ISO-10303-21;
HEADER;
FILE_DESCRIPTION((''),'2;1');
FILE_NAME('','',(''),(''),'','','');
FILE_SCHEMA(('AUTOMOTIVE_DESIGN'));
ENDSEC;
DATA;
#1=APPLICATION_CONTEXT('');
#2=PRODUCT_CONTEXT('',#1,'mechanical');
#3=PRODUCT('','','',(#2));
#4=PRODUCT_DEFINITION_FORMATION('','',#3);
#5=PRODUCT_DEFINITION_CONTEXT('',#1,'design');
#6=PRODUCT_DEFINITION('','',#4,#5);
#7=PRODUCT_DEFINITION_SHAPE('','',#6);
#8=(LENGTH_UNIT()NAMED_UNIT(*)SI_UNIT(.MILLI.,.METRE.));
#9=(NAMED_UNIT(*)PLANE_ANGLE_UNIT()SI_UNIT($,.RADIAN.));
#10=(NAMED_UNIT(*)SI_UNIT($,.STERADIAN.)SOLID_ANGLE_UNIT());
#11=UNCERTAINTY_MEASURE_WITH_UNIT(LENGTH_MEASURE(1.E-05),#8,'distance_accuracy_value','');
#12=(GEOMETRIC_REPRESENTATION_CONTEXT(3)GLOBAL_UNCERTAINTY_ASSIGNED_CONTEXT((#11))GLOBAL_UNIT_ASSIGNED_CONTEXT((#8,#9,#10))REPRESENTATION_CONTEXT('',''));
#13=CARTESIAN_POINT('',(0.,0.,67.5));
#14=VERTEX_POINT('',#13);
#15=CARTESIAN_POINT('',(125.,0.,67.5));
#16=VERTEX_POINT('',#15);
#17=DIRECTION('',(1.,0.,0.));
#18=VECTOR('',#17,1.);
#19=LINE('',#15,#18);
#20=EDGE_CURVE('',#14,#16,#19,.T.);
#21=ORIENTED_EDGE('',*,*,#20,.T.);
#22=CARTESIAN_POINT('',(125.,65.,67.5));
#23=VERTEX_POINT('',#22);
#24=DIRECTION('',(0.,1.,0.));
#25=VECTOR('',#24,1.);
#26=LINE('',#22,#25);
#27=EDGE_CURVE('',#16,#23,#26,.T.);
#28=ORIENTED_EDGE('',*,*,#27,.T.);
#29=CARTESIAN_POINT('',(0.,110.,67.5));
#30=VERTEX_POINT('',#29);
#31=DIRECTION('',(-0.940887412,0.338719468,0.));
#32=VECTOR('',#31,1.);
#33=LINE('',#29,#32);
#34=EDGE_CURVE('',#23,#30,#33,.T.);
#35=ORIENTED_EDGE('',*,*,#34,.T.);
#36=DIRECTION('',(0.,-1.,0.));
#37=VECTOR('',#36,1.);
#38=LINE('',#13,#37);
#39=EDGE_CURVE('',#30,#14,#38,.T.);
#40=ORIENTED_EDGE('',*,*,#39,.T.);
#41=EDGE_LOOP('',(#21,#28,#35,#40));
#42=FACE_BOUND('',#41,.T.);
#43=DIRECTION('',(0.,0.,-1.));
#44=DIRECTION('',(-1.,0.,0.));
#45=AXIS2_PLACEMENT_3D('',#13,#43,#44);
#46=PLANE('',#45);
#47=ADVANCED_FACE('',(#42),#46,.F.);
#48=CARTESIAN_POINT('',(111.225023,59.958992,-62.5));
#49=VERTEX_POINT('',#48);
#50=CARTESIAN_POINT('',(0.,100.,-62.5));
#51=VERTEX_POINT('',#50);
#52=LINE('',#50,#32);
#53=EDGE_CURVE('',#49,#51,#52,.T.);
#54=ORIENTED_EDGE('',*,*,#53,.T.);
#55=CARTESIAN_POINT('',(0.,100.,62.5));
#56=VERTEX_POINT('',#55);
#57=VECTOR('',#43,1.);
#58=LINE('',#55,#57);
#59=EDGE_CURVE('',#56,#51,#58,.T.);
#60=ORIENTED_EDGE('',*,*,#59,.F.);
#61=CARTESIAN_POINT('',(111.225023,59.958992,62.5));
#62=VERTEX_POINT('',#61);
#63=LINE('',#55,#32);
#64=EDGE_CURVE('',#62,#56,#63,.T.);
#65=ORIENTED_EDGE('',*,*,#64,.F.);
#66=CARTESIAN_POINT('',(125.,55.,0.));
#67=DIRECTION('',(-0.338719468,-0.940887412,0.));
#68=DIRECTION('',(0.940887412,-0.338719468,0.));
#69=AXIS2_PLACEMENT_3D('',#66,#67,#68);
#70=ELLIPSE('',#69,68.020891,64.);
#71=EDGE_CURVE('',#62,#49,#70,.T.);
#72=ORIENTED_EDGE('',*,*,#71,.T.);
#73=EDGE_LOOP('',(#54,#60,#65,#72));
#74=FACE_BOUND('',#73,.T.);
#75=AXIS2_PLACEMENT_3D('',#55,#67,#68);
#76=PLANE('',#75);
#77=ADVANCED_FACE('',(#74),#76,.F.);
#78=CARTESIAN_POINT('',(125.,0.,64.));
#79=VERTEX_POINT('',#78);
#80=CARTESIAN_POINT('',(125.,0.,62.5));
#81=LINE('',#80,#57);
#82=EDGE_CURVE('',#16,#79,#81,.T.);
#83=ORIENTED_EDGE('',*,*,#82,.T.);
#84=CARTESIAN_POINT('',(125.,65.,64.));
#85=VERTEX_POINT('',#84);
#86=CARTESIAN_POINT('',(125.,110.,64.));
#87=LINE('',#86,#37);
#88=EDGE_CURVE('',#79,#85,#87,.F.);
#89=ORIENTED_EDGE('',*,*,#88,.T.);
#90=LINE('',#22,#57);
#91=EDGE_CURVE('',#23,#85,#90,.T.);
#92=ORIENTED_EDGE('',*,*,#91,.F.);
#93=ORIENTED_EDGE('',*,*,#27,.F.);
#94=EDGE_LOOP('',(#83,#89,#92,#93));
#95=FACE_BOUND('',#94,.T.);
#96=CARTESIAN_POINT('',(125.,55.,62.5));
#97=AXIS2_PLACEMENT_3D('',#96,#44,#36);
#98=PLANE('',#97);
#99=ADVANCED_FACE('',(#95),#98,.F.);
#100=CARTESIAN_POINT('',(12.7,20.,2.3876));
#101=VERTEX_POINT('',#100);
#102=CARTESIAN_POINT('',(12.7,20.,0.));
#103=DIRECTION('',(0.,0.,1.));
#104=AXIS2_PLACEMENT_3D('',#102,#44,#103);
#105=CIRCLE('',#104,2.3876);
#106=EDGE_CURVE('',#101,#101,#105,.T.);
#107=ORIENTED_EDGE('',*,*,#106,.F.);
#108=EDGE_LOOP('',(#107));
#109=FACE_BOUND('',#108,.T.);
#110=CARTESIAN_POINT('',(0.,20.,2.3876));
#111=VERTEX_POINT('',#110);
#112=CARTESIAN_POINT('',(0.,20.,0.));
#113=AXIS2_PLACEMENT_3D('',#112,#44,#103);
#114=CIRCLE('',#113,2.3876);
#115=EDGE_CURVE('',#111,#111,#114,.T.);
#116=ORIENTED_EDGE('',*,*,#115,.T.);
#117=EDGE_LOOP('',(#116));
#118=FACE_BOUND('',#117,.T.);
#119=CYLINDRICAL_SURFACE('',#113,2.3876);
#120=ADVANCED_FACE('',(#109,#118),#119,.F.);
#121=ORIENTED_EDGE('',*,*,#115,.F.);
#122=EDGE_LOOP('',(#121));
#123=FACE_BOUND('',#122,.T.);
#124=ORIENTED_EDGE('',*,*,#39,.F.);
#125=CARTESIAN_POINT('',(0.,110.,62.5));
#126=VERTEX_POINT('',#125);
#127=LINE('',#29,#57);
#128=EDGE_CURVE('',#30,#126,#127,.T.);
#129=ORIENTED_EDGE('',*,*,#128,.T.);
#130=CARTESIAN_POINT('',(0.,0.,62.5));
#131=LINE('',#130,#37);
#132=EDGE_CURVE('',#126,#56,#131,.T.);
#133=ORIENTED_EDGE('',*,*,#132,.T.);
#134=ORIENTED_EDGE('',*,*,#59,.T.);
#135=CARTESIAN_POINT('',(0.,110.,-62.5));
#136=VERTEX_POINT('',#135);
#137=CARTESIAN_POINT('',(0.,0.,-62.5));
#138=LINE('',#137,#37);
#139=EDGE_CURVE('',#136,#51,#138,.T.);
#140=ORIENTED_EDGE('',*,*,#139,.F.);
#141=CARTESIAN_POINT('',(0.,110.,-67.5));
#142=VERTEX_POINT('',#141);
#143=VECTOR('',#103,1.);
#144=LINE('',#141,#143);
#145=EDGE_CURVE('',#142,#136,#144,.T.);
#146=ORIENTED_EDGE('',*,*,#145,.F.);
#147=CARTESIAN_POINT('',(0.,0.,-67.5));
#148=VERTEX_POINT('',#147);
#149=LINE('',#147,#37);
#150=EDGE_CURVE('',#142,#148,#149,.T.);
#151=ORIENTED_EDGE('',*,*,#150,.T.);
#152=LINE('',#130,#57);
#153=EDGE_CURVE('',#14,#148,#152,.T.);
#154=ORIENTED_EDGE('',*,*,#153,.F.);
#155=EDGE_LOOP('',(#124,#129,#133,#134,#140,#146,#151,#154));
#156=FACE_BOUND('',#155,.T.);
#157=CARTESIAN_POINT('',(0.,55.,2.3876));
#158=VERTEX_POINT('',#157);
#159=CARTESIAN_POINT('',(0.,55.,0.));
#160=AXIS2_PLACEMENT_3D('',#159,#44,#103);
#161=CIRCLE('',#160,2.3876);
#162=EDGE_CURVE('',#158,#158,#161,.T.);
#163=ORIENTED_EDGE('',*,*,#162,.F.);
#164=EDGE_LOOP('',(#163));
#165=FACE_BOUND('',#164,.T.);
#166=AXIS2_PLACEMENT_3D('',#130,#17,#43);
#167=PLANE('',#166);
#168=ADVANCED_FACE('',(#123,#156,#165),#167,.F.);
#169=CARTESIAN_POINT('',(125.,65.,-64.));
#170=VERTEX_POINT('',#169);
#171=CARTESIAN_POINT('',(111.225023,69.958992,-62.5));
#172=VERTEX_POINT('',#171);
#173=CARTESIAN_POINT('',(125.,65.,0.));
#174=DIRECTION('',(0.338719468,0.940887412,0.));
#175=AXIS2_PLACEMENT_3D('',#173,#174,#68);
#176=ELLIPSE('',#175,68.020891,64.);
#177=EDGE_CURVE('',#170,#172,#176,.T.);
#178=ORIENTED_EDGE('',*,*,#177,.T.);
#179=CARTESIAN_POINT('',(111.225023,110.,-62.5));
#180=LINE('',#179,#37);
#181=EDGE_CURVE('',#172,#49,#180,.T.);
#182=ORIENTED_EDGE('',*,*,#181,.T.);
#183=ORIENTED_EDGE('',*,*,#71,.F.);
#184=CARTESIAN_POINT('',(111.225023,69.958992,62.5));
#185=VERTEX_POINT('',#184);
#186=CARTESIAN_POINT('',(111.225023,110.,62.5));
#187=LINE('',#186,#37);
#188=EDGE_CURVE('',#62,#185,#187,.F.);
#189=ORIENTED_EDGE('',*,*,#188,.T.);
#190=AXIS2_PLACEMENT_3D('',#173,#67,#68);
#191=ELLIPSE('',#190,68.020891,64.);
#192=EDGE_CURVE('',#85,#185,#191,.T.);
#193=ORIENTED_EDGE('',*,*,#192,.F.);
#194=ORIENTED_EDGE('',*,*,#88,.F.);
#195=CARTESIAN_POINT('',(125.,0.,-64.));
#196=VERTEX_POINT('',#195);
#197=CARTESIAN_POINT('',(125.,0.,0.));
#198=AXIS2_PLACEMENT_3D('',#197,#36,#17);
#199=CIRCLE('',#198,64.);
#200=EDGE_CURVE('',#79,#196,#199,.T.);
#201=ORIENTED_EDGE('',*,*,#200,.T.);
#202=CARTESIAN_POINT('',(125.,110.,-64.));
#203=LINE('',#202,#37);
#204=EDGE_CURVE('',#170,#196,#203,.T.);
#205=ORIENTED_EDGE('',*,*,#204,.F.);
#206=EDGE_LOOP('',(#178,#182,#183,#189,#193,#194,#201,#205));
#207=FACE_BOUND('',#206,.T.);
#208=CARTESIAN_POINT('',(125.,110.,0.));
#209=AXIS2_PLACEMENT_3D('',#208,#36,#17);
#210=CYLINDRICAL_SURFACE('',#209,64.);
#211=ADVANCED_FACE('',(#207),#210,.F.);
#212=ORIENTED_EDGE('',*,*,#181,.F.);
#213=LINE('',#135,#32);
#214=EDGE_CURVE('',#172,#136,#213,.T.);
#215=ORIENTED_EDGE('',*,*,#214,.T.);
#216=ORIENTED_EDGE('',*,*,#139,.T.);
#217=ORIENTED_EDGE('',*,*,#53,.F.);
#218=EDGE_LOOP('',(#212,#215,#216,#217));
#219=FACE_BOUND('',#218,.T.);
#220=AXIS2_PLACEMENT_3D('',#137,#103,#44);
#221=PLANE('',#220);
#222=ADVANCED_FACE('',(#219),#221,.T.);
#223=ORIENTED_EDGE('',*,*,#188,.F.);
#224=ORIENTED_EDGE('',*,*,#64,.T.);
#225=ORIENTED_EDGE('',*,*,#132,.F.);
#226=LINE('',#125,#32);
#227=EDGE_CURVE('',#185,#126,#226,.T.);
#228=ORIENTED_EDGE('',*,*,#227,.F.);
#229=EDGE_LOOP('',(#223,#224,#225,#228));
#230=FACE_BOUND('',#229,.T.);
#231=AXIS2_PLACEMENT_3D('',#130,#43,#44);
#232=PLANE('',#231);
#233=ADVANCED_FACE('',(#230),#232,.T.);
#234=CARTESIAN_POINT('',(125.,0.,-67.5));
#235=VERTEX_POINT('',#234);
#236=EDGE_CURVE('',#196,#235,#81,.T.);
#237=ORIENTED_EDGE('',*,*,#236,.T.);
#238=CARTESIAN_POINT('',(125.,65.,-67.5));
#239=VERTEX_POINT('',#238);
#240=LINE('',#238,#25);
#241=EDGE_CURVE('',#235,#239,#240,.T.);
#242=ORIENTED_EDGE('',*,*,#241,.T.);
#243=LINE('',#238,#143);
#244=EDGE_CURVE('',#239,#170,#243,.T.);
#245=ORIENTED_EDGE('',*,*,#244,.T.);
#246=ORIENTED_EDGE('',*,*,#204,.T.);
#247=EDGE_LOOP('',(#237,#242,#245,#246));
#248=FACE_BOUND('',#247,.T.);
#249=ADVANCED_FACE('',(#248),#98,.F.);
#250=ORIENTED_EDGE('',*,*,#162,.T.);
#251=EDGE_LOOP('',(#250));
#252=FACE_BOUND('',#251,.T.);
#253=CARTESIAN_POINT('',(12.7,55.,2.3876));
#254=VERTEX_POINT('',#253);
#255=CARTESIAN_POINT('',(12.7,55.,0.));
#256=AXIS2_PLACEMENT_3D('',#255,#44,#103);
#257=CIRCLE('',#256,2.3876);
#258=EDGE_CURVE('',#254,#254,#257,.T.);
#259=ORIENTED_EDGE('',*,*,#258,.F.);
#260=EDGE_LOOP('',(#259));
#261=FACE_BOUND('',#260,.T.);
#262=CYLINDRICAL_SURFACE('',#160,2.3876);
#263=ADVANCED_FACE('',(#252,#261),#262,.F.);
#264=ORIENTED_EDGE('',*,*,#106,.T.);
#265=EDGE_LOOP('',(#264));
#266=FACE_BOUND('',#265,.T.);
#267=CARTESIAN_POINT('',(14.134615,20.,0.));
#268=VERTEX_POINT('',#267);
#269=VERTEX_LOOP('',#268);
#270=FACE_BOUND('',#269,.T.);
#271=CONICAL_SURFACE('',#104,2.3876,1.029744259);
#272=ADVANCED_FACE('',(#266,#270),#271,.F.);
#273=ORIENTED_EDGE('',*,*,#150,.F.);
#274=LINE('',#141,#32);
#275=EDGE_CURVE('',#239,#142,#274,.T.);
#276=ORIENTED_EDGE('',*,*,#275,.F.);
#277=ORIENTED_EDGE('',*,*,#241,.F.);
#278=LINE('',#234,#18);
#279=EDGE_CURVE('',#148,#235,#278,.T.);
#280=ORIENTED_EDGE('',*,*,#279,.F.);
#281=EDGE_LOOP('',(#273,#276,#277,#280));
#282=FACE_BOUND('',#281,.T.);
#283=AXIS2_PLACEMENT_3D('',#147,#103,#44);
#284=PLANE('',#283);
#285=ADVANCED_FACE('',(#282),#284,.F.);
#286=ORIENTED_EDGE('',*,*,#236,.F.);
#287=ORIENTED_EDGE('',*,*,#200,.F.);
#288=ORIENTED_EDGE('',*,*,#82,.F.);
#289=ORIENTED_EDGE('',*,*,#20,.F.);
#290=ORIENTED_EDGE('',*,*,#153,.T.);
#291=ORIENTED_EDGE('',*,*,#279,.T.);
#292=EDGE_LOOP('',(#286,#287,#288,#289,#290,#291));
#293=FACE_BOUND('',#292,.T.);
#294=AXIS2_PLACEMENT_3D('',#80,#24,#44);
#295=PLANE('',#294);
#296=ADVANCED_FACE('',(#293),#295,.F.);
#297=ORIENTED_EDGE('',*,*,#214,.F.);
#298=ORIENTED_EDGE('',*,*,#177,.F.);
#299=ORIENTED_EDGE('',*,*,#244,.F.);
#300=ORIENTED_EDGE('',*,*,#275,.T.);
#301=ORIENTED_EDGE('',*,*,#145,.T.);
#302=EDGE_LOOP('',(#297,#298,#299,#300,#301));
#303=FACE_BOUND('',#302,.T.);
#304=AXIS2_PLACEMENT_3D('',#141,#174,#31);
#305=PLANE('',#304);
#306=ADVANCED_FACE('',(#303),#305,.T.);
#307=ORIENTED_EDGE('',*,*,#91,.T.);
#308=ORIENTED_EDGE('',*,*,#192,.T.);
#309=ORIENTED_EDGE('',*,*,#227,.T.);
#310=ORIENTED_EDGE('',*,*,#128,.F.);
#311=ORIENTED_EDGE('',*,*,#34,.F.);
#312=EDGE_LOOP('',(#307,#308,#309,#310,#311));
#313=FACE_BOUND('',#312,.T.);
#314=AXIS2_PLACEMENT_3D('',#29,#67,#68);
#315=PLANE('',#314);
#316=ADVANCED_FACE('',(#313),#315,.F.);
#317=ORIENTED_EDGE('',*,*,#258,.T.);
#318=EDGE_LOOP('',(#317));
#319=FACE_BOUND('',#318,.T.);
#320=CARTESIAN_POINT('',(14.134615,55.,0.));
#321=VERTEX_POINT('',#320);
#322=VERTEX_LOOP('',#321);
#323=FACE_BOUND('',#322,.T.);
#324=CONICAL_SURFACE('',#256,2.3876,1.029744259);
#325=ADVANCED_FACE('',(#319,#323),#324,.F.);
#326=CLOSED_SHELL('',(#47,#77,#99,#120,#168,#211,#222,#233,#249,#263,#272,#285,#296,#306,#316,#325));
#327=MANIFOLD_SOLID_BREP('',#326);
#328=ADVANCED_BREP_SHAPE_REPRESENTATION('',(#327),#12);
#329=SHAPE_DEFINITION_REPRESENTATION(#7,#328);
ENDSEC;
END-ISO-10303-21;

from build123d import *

# Parameters (mm, degrees)
BOSS_EXTRUDE1_DEPTH        = 62.5
BOSS_EXTRUDE2_DEPTH        = 5
SKETCH3_R                  = 64
CUT_EXTRUDE1_DEPTH         = 111
F_10_CLEARANCE_HOLE1_D     = 4.7752
F_10_CLEARANCE_HOLE1_DEPTH = 12.7
F_10_CLEARANCE_HOLE1_TIP   = 1.434614814


with BuildPart() as part:
    # Sketch2 → Boss-Extrude1 (new body, symmetric)
    with BuildSketch(Plane.XY):
        Polygon((0, 0), (0, 100), (125, 55), (125, 0), align=None)
    extrude(amount=BOSS_EXTRUDE1_DEPTH, both=True)

    # Sketch4 → Boss-Extrude2 (add)
    with BuildSketch(Plane.XY.offset(62.5)):
        Polygon((0, 0), (0, 110), (125, 65), (125, 0), align=None)
    boss_extrude2 = extrude(amount=BOSS_EXTRUDE2_DEPTH)

    # Mirror1: Boss-Extrude2 across plane
    add(boss_extrude2.mirror(Plane.XY))

    # Sketch3 → Cut-Extrude1 (cut, through all)
    with BuildSketch(Plane.XZ):
        with Locations((125, 0)):
            Circle(SKETCH3_R)
    extrude(amount=-CUT_EXTRUDE1_DEPTH, mode=Mode.SUBTRACT)

    # #10 Clearance Hole1
    with Locations(Plane.ZY):
        with Locations((0, 55), (0, 20)):
            Hole(F_10_CLEARANCE_HOLE1_D / 2, depth=F_10_CLEARANCE_HOLE1_DEPTH)
            with Locations((0, 0, -(F_10_CLEARANCE_HOLE1_DEPTH + F_10_CLEARANCE_HOLE1_TIP / 2))):  # 118° drill point
                Cone(0, F_10_CLEARANCE_HOLE1_D / 2, F_10_CLEARANCE_HOLE1_TIP, mode=Mode.SUBTRACT)


solid = part.part
